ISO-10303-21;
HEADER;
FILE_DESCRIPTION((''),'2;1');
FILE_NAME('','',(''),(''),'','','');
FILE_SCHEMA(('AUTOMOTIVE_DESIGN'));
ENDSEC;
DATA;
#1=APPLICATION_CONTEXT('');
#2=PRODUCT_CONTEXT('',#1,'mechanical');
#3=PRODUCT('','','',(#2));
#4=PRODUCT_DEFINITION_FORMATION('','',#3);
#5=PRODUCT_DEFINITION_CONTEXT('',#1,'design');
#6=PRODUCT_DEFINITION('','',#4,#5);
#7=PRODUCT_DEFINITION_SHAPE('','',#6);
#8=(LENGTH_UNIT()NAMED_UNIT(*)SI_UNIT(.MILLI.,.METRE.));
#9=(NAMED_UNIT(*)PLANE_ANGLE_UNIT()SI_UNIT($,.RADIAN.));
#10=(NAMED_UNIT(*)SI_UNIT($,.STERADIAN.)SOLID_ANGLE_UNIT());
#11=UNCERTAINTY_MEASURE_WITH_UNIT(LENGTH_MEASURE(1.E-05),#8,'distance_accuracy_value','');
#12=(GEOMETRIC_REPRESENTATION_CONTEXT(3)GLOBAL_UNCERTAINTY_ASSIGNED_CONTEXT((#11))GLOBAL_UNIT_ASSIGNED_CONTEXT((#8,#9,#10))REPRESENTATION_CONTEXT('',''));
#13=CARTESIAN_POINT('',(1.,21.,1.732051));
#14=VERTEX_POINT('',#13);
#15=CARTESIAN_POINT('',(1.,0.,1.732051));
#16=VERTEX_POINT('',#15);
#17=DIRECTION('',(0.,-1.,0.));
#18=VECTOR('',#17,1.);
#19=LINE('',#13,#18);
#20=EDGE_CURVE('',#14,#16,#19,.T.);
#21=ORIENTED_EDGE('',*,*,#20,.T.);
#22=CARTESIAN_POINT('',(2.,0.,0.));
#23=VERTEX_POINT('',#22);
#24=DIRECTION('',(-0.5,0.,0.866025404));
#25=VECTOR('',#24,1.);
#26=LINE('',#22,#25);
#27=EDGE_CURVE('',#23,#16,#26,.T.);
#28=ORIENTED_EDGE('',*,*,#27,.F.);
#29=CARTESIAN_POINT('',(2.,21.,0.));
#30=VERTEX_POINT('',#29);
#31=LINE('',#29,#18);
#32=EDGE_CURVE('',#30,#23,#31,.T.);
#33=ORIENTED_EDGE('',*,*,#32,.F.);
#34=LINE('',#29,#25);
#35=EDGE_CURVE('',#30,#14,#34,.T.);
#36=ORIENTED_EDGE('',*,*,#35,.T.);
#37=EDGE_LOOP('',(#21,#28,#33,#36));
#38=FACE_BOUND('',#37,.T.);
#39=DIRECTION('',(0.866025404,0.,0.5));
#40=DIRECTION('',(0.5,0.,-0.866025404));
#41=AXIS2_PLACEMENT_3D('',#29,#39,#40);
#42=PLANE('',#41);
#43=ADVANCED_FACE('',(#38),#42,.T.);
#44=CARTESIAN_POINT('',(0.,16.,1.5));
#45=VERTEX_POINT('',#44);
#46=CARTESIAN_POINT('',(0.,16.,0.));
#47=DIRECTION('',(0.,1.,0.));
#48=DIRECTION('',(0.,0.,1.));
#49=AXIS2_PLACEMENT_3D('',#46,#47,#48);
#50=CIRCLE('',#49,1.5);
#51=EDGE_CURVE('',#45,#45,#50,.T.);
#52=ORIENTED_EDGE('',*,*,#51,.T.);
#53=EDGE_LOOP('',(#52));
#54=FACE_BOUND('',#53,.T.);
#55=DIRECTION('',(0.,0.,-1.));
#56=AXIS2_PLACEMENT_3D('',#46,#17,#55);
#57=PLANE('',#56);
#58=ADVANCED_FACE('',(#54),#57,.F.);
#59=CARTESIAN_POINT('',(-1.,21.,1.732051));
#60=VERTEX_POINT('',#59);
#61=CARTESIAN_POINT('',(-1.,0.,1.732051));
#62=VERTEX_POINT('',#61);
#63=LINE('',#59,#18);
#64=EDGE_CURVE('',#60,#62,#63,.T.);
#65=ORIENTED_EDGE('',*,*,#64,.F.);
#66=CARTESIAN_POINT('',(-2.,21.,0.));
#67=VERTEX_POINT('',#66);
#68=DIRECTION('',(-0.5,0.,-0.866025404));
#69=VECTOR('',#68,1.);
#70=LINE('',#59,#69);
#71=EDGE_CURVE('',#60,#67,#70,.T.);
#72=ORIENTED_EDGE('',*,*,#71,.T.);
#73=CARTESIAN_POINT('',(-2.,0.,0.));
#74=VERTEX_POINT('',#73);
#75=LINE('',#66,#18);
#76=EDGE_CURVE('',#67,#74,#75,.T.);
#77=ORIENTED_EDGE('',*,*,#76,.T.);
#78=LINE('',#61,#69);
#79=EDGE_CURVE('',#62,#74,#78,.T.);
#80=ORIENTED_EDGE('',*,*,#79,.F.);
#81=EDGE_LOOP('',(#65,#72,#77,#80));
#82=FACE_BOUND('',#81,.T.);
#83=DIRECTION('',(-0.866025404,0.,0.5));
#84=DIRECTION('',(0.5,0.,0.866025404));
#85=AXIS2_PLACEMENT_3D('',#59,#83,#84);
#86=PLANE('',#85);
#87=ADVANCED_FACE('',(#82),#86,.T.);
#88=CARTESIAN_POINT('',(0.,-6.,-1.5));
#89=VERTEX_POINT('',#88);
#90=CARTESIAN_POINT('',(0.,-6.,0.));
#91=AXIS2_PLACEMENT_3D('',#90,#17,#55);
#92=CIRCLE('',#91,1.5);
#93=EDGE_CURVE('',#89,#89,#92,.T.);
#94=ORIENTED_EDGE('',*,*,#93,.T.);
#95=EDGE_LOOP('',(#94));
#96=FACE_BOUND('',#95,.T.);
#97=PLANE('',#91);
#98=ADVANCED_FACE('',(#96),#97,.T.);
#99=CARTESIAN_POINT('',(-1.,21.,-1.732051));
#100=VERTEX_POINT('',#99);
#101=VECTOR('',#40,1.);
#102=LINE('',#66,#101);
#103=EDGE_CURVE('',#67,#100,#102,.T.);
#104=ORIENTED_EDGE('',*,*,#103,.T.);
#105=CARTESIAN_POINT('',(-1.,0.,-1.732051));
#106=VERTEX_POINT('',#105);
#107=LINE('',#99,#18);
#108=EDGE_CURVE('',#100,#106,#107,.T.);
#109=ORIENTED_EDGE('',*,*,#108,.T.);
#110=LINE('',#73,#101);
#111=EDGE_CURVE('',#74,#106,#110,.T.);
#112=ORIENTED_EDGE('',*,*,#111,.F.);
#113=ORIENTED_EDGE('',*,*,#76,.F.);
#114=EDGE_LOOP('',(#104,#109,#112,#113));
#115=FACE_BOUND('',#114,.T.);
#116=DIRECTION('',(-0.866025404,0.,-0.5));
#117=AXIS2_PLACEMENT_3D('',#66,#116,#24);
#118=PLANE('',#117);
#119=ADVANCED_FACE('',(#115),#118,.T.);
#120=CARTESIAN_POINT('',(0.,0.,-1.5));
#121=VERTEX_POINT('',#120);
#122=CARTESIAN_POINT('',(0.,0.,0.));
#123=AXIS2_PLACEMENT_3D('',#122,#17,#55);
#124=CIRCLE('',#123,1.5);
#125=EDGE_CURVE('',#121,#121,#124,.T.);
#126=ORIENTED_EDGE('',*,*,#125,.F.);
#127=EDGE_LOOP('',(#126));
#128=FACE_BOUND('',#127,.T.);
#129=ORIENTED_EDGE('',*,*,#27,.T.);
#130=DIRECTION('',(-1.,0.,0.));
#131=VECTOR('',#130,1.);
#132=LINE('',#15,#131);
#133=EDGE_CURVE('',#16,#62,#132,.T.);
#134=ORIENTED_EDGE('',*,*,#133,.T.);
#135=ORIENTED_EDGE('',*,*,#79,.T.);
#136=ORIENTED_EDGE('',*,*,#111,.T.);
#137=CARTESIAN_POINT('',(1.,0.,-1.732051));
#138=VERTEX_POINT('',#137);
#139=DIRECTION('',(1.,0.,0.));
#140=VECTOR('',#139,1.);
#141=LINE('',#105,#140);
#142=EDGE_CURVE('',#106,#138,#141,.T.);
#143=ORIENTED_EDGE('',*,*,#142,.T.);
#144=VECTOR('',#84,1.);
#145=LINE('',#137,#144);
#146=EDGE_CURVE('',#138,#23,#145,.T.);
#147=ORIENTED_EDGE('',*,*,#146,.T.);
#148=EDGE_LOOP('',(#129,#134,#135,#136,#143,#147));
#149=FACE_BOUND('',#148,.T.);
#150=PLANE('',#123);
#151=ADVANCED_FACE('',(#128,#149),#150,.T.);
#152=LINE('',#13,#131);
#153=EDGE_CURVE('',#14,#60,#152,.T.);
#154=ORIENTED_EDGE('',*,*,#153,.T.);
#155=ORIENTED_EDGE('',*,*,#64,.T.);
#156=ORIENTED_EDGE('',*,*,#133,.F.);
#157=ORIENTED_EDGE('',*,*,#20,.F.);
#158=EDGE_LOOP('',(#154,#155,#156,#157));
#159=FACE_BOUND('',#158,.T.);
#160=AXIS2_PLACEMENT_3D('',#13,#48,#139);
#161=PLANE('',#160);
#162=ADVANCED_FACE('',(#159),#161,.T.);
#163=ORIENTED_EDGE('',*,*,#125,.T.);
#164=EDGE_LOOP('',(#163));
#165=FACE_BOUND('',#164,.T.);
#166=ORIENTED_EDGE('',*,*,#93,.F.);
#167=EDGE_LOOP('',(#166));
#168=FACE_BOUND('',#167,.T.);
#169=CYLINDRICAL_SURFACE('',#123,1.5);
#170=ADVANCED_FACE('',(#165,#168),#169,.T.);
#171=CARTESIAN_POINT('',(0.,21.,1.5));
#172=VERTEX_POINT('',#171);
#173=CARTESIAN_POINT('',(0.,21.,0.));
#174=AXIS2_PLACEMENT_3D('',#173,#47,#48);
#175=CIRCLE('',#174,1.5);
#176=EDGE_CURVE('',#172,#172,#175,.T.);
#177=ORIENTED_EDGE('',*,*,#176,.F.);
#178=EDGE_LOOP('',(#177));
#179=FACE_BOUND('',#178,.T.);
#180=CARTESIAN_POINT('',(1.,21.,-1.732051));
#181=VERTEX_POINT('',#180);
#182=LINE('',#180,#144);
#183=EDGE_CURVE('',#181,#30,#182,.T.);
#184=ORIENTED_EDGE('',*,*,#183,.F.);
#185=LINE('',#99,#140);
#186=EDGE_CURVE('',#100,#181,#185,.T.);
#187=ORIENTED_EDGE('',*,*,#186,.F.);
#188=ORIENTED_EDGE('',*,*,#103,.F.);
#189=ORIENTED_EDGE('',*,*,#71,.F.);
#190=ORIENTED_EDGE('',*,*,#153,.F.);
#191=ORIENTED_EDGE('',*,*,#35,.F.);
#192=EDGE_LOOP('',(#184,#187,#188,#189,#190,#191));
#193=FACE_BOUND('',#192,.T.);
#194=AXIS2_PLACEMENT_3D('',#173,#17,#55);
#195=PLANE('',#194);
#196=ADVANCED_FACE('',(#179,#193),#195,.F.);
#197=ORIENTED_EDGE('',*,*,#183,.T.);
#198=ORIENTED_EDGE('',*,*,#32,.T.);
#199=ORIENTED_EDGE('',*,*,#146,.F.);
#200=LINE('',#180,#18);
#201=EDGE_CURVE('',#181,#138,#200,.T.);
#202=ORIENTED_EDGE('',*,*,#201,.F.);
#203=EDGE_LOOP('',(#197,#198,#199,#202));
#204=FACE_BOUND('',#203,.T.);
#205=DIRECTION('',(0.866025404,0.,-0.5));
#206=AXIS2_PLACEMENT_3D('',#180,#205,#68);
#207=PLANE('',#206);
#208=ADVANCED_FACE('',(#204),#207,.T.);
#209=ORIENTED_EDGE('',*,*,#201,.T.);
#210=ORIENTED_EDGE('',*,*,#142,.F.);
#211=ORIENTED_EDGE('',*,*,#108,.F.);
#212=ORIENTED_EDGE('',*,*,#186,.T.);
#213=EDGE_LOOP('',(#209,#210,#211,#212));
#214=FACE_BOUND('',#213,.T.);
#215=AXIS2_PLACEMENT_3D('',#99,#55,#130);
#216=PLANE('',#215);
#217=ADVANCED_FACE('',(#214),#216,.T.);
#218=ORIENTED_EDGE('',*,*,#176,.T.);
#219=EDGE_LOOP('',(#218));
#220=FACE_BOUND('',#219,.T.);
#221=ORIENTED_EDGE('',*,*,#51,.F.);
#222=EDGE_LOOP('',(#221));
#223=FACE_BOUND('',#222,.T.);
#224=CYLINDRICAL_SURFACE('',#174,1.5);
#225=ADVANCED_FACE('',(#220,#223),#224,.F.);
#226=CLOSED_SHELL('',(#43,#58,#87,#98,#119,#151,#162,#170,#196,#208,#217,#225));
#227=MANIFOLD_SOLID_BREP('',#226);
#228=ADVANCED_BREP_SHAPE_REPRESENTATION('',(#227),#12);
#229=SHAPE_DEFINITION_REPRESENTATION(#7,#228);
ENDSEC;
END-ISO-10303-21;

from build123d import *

# Parameters (mm, degrees)
EXTRUDE_1_DEPTH           = 21
SKETCH_2_W                = 1.5
SKETCH_2_H                = 6
HOLE_WIZARD_3_0_3_1_D     = 3
HOLE_WIZARD_3_0_3_1_DEPTH = 5


with BuildPart() as part:
    # 草图1 → 凸台-拉伸1 (new body)
    with BuildSketch(Plane.XZ):
        Polygon((-1, 1.732050808), (-2, 0), (-1, -1.732050808), (1, -1.732050808), (2, 0), (1, 1.732050808), align=None)
    extrude(amount=-EXTRUDE_1_DEPTH)

    # 草图2 → 旋转1 (revolve)
    with BuildSketch(Plane.XY, mode=Mode.PRIVATE) as revolve_1_sk:
        with Locations((0.75, -3)):
            Rectangle(SKETCH_2_W, SKETCH_2_H)
    revolve(revolve_1_sk.sketch.rotate(Axis((0, 0, 0), (0, -1, 0)), 270), axis=Axis((0, 0, 0), (0, -1, 0)))

    # Ø3.0 (3) 直径孔1
    with Locations(Plane(origin=(0, 21, 0), x_dir=(1, 0, 0), z_dir=(0, 1, 0))):
        with Locations((0, 0)):
            Hole(HOLE_WIZARD_3_0_3_1_D / 2, depth=HOLE_WIZARD_3_0_3_1_DEPTH)


solid = part.part
